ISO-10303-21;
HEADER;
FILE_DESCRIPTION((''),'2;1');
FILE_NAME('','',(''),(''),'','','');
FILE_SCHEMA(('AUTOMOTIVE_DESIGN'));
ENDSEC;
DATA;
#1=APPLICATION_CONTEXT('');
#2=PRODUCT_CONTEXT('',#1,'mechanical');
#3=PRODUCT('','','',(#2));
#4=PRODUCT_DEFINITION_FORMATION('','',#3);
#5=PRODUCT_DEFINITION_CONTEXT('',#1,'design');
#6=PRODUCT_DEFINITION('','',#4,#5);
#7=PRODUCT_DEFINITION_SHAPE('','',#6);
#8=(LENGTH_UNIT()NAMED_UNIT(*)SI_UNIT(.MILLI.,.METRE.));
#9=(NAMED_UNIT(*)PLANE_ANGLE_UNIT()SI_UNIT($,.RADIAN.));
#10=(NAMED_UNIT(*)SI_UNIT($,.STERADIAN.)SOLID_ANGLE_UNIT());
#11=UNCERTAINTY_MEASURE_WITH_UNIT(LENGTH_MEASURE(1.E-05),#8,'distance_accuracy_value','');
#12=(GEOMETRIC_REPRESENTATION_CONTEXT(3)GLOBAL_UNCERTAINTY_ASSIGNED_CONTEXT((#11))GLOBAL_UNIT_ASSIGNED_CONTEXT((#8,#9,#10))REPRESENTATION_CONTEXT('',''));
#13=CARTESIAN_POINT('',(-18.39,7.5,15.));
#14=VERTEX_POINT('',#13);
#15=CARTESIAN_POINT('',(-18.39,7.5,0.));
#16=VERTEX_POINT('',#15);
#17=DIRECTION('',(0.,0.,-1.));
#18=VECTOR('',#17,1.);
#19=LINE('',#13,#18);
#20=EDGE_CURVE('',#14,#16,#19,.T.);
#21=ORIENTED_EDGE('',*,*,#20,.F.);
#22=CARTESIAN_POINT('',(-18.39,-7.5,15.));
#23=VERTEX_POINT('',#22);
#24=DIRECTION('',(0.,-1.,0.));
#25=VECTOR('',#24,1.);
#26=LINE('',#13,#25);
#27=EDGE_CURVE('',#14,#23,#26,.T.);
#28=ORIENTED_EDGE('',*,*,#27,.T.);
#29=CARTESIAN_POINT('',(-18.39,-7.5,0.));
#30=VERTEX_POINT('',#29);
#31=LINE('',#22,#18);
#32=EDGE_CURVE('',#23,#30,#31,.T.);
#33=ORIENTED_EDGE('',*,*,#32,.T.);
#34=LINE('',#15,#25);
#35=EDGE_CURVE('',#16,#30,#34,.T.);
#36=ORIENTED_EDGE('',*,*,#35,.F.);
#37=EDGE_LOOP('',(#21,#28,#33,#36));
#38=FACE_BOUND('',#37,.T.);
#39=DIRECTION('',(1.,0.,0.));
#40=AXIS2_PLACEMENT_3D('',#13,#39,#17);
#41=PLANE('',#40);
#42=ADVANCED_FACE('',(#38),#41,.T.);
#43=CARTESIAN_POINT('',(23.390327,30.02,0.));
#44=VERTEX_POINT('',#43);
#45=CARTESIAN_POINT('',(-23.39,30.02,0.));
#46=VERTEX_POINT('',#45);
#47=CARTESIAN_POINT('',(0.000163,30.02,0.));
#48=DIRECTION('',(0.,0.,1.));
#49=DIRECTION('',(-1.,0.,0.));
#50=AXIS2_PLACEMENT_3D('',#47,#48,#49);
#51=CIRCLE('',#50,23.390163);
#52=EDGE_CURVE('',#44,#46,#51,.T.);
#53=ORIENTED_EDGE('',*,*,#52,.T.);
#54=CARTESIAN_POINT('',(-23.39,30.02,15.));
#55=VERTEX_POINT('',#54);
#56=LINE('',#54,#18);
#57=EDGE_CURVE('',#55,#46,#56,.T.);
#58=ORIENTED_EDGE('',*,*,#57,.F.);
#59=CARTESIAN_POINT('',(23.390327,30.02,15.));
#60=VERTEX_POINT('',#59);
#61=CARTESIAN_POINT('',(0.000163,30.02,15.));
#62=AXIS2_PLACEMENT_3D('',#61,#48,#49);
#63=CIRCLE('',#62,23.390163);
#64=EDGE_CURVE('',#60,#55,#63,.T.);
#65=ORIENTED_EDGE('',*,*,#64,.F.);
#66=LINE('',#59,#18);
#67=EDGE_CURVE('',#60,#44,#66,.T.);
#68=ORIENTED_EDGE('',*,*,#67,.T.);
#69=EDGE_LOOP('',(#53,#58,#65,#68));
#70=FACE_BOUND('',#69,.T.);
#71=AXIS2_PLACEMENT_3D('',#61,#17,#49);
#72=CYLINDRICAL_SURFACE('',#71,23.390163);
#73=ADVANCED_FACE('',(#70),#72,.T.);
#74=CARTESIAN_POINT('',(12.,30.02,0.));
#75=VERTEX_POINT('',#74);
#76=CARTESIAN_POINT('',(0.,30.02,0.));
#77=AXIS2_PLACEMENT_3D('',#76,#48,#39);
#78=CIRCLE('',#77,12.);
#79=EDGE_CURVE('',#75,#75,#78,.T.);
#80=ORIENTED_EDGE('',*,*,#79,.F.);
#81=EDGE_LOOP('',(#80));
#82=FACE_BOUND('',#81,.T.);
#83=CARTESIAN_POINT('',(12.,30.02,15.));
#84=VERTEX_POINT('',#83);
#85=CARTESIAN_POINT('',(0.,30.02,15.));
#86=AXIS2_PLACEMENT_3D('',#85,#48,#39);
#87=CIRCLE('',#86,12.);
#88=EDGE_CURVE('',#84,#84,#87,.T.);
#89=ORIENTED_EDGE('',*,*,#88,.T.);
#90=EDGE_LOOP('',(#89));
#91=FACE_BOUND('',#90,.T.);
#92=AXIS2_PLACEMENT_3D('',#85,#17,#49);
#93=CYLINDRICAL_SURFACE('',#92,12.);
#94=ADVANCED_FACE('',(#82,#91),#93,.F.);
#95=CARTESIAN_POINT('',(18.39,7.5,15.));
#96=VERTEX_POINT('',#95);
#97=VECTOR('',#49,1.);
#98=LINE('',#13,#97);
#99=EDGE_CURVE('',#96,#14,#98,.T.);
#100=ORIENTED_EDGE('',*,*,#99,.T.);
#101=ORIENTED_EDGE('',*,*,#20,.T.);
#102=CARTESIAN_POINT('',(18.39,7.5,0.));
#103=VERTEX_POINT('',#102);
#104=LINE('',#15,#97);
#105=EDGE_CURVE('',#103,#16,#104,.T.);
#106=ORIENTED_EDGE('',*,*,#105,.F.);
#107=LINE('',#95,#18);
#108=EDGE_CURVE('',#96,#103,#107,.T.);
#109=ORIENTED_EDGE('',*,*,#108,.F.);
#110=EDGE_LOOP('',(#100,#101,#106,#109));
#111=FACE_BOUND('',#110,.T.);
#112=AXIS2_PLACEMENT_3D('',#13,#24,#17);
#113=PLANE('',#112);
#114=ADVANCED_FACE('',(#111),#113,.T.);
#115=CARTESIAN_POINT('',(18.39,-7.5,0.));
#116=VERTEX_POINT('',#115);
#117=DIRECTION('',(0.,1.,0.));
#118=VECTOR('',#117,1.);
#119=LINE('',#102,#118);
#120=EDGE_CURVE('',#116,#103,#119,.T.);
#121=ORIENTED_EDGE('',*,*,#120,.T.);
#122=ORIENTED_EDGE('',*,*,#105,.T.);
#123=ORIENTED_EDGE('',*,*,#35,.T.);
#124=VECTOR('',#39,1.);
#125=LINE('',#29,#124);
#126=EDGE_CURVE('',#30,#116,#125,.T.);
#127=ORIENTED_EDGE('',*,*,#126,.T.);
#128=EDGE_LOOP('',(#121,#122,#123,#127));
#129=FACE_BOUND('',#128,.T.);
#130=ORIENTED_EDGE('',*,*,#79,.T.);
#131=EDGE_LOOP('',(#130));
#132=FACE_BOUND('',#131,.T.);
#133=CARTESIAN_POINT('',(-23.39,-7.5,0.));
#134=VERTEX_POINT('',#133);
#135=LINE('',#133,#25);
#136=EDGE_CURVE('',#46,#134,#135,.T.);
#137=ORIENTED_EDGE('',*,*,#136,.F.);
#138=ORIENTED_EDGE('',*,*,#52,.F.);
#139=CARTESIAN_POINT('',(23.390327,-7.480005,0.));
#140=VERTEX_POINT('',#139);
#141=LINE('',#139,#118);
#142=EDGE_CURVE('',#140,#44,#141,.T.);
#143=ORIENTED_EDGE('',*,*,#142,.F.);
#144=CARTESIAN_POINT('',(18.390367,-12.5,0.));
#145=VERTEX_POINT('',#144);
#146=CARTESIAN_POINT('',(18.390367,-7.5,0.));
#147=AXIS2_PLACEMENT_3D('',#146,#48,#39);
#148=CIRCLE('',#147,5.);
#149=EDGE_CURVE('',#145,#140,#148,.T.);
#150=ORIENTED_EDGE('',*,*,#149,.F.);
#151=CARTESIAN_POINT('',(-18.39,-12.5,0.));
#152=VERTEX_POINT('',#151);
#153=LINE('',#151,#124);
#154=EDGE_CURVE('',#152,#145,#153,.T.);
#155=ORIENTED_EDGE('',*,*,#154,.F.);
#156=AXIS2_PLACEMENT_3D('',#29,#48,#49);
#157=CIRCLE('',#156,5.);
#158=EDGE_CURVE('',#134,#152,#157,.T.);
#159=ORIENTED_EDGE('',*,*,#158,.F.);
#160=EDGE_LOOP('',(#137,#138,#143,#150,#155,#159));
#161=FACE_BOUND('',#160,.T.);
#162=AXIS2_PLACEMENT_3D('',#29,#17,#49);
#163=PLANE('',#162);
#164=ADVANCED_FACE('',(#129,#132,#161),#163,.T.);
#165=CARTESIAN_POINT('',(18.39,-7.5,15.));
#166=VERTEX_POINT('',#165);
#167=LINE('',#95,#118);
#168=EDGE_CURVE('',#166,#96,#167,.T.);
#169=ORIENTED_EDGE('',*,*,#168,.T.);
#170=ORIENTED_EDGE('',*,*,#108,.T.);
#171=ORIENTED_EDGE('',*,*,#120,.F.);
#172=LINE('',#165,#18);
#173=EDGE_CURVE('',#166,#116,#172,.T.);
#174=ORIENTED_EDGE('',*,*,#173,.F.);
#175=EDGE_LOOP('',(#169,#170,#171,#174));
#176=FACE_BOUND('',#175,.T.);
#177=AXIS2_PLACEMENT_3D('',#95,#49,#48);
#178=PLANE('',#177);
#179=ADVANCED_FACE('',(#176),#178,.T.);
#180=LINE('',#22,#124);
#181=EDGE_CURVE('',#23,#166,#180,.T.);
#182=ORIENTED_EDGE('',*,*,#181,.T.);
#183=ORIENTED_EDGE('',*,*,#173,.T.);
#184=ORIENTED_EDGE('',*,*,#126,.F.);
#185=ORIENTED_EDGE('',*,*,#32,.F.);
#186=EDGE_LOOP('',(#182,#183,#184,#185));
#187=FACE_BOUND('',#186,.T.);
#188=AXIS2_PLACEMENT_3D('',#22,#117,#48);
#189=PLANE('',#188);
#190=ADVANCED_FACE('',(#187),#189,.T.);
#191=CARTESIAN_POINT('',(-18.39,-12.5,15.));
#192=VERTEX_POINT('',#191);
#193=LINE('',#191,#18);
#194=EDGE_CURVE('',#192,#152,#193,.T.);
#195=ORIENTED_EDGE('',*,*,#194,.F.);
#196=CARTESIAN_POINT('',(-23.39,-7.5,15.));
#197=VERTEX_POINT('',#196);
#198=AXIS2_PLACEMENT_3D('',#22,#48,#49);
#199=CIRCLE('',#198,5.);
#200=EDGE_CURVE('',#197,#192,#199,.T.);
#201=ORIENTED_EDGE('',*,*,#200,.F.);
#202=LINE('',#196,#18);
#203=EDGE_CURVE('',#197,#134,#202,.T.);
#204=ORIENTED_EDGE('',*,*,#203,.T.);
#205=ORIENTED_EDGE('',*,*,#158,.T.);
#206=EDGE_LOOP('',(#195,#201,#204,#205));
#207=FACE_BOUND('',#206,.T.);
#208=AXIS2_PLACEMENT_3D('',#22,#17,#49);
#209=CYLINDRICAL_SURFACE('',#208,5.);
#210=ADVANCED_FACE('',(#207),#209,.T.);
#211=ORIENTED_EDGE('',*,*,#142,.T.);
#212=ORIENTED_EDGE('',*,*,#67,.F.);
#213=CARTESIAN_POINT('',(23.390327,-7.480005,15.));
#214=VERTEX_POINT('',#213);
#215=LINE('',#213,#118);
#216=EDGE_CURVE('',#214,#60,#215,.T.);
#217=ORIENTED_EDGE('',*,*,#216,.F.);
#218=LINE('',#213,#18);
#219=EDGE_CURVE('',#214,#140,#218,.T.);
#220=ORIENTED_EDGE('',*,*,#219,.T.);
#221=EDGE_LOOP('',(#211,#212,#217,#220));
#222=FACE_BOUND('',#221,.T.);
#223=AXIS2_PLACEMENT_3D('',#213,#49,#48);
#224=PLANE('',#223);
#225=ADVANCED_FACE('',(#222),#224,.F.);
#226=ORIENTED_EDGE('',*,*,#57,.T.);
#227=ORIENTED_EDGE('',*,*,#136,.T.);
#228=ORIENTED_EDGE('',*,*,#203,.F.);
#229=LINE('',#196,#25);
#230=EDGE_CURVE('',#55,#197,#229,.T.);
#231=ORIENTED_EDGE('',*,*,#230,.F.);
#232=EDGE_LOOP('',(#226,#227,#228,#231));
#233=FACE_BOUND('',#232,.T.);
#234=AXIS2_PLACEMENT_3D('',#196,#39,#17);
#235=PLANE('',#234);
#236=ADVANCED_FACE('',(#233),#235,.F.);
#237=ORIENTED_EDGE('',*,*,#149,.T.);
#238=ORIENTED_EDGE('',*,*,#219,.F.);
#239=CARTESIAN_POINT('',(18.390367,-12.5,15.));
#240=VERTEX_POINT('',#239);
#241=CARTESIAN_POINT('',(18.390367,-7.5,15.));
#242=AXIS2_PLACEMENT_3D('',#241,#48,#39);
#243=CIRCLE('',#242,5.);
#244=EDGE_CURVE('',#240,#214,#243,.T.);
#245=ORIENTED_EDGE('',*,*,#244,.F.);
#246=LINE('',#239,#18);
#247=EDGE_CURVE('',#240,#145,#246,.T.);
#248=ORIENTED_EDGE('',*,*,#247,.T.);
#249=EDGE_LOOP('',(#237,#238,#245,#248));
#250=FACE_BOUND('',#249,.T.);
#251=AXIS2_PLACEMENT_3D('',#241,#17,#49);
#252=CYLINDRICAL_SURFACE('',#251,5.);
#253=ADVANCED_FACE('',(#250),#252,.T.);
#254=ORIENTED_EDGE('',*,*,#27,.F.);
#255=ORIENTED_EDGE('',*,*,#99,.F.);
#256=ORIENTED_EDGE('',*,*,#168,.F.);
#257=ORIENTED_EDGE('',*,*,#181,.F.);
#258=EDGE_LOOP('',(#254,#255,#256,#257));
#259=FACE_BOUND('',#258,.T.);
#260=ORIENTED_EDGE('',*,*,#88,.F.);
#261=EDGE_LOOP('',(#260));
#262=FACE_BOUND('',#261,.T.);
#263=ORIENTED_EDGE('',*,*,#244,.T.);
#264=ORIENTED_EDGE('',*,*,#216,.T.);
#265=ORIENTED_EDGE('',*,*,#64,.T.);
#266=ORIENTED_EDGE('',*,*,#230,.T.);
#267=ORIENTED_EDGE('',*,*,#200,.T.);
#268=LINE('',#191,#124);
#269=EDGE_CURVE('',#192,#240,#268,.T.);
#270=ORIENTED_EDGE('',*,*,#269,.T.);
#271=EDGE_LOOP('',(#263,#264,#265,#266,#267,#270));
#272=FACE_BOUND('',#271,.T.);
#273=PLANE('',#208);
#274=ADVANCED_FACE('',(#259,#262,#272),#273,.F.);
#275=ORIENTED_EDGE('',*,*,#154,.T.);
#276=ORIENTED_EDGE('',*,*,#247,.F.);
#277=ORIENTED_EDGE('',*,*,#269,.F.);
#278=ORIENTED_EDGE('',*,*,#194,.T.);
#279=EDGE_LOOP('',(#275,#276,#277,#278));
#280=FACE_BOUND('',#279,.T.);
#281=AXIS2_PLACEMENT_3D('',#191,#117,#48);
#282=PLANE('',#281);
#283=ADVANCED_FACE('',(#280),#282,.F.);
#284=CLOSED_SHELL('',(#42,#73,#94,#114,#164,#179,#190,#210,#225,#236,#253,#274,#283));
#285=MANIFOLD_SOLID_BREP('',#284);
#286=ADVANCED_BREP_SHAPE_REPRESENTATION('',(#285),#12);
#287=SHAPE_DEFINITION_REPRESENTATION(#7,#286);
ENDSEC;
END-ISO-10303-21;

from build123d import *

# Parameters (mm, degrees)
SKETCH1_R           = 12
SKETCH1_W           = 36.78
SKETCH1_H           = 15
BOSS_EXTRUDE1_DEPTH = 15


with BuildPart() as part:
    # Sketch1 → Boss-Extrude1 (new body)
    with BuildSketch(Plane.XY):
        with BuildLine():
            Line((-18.39, -12.5), (18.390366936, -12.5))
            ThreePointArc((18.390366936, -12.5), (21.932962966, -11.028457647), (23.390326957, -7.480005346))
            Line((23.390326957, -7.480005346), (23.390326957, 30.02))
            ThreePointArc((23.390326957, 30.02), (0.000163479, 53.410163479), (-23.39, 30.02))
            Line((-23.39, 30.02), (-23.39, -7.5))
            ThreePointArc((-23.39, -7.5), (-21.925533906, -11.035533906), (-18.39, -12.5))
        make_face()
        with Locations((0, 30.02)):
            Circle(SKETCH1_R, mode=Mode.SUBTRACT)
        Rectangle(SKETCH1_W, SKETCH1_H, mode=Mode.SUBTRACT)
    extrude(amount=BOSS_EXTRUDE1_DEPTH)


solid = part.part
